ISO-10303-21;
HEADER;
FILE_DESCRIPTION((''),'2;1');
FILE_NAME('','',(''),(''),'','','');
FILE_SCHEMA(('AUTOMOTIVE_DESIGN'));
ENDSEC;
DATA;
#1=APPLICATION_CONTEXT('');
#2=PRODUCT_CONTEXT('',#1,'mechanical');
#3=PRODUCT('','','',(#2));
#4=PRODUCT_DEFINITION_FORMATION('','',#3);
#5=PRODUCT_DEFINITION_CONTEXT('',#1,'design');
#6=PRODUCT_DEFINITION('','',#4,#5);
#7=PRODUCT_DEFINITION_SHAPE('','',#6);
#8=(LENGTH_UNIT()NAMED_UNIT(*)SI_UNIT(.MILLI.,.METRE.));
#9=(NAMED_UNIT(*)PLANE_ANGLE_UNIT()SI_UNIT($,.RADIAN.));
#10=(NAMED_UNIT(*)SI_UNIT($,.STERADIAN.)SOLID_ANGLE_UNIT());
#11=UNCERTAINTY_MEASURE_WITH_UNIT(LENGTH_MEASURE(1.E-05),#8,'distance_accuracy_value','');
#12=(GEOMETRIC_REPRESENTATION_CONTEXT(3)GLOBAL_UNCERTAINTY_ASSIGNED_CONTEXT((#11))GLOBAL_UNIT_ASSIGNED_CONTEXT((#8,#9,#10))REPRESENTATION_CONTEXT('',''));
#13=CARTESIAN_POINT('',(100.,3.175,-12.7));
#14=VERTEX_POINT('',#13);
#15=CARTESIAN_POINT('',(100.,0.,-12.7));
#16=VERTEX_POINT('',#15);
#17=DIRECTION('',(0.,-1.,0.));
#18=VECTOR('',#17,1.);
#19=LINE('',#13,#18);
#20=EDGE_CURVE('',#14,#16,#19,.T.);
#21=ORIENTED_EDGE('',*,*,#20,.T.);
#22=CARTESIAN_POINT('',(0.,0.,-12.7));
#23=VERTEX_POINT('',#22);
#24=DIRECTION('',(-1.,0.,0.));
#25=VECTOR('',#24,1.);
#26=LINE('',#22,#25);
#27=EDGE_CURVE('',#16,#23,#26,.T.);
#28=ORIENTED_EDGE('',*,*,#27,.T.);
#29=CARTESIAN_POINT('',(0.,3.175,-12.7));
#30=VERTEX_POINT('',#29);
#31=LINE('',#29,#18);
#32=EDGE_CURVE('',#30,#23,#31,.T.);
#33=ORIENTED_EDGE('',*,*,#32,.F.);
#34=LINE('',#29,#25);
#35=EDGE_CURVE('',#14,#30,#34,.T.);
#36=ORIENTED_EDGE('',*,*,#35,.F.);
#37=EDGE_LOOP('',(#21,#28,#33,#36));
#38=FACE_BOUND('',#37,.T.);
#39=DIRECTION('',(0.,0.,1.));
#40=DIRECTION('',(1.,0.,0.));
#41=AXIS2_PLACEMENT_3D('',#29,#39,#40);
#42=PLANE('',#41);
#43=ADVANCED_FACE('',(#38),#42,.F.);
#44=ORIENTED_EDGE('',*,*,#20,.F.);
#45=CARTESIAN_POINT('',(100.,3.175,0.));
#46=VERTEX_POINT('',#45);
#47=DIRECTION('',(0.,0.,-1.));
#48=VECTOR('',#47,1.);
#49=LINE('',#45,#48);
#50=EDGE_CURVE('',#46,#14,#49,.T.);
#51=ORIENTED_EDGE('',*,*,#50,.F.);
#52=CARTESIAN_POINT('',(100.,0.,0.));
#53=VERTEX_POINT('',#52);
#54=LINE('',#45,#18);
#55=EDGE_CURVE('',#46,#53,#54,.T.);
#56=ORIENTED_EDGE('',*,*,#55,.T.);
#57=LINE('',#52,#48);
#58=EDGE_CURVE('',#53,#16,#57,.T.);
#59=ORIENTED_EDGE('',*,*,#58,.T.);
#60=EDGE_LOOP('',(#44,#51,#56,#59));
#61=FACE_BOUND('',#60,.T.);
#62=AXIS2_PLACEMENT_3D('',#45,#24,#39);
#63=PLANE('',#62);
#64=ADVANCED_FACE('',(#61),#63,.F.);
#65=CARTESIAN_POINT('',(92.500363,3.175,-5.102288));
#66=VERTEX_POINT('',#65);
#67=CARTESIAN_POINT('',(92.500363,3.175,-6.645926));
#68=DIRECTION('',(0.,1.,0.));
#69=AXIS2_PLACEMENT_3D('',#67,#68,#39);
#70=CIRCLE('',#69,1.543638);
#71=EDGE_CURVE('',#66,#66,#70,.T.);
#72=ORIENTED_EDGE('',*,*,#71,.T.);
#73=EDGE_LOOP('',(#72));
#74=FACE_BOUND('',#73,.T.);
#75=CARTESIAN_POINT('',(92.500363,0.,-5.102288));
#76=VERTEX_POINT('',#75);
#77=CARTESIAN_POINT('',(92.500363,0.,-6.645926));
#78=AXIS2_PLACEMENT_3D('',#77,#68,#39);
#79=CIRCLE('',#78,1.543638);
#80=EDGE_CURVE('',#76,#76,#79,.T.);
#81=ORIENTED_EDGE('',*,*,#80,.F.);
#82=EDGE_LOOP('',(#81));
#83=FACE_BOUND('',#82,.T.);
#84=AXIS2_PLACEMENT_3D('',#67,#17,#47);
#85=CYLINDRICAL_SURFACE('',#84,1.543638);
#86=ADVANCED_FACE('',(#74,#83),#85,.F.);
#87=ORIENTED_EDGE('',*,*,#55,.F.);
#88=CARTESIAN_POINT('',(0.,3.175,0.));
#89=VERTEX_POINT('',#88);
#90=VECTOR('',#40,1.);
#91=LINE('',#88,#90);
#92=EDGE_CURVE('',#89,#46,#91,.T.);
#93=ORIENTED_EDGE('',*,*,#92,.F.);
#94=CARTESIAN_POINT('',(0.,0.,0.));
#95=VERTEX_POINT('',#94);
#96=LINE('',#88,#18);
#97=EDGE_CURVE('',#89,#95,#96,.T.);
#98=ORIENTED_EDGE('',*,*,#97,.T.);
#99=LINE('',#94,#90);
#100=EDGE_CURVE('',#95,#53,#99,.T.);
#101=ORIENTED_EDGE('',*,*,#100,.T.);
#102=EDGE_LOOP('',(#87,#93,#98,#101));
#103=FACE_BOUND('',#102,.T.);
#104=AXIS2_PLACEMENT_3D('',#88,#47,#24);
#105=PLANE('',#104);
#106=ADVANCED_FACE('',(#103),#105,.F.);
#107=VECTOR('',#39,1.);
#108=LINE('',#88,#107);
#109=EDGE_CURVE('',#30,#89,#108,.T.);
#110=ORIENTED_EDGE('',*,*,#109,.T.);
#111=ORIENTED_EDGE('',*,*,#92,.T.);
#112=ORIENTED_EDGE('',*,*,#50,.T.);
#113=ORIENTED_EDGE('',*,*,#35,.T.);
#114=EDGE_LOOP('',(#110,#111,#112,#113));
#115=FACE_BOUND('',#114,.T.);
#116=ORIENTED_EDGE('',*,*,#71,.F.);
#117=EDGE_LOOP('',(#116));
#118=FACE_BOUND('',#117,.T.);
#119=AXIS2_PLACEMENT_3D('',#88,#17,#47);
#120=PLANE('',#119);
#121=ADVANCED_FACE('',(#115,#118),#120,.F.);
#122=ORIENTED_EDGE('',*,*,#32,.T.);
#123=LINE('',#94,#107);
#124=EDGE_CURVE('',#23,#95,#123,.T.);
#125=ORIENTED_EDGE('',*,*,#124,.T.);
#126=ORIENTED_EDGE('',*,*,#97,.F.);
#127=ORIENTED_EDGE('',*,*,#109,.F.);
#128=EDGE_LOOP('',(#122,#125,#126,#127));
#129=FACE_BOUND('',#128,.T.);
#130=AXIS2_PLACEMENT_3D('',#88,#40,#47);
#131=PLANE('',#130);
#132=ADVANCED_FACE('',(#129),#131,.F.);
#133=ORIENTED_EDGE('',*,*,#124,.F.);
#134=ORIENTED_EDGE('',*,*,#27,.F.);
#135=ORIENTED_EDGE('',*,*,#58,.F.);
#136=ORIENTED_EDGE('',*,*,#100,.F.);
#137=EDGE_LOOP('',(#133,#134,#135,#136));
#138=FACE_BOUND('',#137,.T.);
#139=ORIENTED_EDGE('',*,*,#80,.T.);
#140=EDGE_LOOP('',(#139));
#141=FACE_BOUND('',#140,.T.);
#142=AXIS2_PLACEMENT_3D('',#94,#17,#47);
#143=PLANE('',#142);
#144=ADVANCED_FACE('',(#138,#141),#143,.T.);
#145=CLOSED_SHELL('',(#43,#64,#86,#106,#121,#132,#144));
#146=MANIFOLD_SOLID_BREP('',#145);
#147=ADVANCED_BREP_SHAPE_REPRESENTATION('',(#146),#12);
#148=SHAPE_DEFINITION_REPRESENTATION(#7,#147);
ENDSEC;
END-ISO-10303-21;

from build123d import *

# Parameters (mm, degrees)
SKETCH1_W           = 100
SKETCH1_H           = 12.7
SKETCH1_R           = 1.543638368
BOSS_EXTRUDE1_DEPTH = 3.175


with BuildPart() as part:
    # Sketch1 → Boss-Extrude1 (new body)
    with BuildSketch(Plane(origin=(0, 0, 0), x_dir=(1, 0, 0), z_dir=(0, 1, 0))):
        with Locations((50, 6.35)):
            Rectangle(SKETCH1_W, SKETCH1_H)
        with Locations(Location((92.500362967, 6.645925942, 0), (0, 0, 270))):
            Circle(SKETCH1_R, mode=Mode.SUBTRACT)
    extrude(amount=BOSS_EXTRUDE1_DEPTH)


solid = part.part
